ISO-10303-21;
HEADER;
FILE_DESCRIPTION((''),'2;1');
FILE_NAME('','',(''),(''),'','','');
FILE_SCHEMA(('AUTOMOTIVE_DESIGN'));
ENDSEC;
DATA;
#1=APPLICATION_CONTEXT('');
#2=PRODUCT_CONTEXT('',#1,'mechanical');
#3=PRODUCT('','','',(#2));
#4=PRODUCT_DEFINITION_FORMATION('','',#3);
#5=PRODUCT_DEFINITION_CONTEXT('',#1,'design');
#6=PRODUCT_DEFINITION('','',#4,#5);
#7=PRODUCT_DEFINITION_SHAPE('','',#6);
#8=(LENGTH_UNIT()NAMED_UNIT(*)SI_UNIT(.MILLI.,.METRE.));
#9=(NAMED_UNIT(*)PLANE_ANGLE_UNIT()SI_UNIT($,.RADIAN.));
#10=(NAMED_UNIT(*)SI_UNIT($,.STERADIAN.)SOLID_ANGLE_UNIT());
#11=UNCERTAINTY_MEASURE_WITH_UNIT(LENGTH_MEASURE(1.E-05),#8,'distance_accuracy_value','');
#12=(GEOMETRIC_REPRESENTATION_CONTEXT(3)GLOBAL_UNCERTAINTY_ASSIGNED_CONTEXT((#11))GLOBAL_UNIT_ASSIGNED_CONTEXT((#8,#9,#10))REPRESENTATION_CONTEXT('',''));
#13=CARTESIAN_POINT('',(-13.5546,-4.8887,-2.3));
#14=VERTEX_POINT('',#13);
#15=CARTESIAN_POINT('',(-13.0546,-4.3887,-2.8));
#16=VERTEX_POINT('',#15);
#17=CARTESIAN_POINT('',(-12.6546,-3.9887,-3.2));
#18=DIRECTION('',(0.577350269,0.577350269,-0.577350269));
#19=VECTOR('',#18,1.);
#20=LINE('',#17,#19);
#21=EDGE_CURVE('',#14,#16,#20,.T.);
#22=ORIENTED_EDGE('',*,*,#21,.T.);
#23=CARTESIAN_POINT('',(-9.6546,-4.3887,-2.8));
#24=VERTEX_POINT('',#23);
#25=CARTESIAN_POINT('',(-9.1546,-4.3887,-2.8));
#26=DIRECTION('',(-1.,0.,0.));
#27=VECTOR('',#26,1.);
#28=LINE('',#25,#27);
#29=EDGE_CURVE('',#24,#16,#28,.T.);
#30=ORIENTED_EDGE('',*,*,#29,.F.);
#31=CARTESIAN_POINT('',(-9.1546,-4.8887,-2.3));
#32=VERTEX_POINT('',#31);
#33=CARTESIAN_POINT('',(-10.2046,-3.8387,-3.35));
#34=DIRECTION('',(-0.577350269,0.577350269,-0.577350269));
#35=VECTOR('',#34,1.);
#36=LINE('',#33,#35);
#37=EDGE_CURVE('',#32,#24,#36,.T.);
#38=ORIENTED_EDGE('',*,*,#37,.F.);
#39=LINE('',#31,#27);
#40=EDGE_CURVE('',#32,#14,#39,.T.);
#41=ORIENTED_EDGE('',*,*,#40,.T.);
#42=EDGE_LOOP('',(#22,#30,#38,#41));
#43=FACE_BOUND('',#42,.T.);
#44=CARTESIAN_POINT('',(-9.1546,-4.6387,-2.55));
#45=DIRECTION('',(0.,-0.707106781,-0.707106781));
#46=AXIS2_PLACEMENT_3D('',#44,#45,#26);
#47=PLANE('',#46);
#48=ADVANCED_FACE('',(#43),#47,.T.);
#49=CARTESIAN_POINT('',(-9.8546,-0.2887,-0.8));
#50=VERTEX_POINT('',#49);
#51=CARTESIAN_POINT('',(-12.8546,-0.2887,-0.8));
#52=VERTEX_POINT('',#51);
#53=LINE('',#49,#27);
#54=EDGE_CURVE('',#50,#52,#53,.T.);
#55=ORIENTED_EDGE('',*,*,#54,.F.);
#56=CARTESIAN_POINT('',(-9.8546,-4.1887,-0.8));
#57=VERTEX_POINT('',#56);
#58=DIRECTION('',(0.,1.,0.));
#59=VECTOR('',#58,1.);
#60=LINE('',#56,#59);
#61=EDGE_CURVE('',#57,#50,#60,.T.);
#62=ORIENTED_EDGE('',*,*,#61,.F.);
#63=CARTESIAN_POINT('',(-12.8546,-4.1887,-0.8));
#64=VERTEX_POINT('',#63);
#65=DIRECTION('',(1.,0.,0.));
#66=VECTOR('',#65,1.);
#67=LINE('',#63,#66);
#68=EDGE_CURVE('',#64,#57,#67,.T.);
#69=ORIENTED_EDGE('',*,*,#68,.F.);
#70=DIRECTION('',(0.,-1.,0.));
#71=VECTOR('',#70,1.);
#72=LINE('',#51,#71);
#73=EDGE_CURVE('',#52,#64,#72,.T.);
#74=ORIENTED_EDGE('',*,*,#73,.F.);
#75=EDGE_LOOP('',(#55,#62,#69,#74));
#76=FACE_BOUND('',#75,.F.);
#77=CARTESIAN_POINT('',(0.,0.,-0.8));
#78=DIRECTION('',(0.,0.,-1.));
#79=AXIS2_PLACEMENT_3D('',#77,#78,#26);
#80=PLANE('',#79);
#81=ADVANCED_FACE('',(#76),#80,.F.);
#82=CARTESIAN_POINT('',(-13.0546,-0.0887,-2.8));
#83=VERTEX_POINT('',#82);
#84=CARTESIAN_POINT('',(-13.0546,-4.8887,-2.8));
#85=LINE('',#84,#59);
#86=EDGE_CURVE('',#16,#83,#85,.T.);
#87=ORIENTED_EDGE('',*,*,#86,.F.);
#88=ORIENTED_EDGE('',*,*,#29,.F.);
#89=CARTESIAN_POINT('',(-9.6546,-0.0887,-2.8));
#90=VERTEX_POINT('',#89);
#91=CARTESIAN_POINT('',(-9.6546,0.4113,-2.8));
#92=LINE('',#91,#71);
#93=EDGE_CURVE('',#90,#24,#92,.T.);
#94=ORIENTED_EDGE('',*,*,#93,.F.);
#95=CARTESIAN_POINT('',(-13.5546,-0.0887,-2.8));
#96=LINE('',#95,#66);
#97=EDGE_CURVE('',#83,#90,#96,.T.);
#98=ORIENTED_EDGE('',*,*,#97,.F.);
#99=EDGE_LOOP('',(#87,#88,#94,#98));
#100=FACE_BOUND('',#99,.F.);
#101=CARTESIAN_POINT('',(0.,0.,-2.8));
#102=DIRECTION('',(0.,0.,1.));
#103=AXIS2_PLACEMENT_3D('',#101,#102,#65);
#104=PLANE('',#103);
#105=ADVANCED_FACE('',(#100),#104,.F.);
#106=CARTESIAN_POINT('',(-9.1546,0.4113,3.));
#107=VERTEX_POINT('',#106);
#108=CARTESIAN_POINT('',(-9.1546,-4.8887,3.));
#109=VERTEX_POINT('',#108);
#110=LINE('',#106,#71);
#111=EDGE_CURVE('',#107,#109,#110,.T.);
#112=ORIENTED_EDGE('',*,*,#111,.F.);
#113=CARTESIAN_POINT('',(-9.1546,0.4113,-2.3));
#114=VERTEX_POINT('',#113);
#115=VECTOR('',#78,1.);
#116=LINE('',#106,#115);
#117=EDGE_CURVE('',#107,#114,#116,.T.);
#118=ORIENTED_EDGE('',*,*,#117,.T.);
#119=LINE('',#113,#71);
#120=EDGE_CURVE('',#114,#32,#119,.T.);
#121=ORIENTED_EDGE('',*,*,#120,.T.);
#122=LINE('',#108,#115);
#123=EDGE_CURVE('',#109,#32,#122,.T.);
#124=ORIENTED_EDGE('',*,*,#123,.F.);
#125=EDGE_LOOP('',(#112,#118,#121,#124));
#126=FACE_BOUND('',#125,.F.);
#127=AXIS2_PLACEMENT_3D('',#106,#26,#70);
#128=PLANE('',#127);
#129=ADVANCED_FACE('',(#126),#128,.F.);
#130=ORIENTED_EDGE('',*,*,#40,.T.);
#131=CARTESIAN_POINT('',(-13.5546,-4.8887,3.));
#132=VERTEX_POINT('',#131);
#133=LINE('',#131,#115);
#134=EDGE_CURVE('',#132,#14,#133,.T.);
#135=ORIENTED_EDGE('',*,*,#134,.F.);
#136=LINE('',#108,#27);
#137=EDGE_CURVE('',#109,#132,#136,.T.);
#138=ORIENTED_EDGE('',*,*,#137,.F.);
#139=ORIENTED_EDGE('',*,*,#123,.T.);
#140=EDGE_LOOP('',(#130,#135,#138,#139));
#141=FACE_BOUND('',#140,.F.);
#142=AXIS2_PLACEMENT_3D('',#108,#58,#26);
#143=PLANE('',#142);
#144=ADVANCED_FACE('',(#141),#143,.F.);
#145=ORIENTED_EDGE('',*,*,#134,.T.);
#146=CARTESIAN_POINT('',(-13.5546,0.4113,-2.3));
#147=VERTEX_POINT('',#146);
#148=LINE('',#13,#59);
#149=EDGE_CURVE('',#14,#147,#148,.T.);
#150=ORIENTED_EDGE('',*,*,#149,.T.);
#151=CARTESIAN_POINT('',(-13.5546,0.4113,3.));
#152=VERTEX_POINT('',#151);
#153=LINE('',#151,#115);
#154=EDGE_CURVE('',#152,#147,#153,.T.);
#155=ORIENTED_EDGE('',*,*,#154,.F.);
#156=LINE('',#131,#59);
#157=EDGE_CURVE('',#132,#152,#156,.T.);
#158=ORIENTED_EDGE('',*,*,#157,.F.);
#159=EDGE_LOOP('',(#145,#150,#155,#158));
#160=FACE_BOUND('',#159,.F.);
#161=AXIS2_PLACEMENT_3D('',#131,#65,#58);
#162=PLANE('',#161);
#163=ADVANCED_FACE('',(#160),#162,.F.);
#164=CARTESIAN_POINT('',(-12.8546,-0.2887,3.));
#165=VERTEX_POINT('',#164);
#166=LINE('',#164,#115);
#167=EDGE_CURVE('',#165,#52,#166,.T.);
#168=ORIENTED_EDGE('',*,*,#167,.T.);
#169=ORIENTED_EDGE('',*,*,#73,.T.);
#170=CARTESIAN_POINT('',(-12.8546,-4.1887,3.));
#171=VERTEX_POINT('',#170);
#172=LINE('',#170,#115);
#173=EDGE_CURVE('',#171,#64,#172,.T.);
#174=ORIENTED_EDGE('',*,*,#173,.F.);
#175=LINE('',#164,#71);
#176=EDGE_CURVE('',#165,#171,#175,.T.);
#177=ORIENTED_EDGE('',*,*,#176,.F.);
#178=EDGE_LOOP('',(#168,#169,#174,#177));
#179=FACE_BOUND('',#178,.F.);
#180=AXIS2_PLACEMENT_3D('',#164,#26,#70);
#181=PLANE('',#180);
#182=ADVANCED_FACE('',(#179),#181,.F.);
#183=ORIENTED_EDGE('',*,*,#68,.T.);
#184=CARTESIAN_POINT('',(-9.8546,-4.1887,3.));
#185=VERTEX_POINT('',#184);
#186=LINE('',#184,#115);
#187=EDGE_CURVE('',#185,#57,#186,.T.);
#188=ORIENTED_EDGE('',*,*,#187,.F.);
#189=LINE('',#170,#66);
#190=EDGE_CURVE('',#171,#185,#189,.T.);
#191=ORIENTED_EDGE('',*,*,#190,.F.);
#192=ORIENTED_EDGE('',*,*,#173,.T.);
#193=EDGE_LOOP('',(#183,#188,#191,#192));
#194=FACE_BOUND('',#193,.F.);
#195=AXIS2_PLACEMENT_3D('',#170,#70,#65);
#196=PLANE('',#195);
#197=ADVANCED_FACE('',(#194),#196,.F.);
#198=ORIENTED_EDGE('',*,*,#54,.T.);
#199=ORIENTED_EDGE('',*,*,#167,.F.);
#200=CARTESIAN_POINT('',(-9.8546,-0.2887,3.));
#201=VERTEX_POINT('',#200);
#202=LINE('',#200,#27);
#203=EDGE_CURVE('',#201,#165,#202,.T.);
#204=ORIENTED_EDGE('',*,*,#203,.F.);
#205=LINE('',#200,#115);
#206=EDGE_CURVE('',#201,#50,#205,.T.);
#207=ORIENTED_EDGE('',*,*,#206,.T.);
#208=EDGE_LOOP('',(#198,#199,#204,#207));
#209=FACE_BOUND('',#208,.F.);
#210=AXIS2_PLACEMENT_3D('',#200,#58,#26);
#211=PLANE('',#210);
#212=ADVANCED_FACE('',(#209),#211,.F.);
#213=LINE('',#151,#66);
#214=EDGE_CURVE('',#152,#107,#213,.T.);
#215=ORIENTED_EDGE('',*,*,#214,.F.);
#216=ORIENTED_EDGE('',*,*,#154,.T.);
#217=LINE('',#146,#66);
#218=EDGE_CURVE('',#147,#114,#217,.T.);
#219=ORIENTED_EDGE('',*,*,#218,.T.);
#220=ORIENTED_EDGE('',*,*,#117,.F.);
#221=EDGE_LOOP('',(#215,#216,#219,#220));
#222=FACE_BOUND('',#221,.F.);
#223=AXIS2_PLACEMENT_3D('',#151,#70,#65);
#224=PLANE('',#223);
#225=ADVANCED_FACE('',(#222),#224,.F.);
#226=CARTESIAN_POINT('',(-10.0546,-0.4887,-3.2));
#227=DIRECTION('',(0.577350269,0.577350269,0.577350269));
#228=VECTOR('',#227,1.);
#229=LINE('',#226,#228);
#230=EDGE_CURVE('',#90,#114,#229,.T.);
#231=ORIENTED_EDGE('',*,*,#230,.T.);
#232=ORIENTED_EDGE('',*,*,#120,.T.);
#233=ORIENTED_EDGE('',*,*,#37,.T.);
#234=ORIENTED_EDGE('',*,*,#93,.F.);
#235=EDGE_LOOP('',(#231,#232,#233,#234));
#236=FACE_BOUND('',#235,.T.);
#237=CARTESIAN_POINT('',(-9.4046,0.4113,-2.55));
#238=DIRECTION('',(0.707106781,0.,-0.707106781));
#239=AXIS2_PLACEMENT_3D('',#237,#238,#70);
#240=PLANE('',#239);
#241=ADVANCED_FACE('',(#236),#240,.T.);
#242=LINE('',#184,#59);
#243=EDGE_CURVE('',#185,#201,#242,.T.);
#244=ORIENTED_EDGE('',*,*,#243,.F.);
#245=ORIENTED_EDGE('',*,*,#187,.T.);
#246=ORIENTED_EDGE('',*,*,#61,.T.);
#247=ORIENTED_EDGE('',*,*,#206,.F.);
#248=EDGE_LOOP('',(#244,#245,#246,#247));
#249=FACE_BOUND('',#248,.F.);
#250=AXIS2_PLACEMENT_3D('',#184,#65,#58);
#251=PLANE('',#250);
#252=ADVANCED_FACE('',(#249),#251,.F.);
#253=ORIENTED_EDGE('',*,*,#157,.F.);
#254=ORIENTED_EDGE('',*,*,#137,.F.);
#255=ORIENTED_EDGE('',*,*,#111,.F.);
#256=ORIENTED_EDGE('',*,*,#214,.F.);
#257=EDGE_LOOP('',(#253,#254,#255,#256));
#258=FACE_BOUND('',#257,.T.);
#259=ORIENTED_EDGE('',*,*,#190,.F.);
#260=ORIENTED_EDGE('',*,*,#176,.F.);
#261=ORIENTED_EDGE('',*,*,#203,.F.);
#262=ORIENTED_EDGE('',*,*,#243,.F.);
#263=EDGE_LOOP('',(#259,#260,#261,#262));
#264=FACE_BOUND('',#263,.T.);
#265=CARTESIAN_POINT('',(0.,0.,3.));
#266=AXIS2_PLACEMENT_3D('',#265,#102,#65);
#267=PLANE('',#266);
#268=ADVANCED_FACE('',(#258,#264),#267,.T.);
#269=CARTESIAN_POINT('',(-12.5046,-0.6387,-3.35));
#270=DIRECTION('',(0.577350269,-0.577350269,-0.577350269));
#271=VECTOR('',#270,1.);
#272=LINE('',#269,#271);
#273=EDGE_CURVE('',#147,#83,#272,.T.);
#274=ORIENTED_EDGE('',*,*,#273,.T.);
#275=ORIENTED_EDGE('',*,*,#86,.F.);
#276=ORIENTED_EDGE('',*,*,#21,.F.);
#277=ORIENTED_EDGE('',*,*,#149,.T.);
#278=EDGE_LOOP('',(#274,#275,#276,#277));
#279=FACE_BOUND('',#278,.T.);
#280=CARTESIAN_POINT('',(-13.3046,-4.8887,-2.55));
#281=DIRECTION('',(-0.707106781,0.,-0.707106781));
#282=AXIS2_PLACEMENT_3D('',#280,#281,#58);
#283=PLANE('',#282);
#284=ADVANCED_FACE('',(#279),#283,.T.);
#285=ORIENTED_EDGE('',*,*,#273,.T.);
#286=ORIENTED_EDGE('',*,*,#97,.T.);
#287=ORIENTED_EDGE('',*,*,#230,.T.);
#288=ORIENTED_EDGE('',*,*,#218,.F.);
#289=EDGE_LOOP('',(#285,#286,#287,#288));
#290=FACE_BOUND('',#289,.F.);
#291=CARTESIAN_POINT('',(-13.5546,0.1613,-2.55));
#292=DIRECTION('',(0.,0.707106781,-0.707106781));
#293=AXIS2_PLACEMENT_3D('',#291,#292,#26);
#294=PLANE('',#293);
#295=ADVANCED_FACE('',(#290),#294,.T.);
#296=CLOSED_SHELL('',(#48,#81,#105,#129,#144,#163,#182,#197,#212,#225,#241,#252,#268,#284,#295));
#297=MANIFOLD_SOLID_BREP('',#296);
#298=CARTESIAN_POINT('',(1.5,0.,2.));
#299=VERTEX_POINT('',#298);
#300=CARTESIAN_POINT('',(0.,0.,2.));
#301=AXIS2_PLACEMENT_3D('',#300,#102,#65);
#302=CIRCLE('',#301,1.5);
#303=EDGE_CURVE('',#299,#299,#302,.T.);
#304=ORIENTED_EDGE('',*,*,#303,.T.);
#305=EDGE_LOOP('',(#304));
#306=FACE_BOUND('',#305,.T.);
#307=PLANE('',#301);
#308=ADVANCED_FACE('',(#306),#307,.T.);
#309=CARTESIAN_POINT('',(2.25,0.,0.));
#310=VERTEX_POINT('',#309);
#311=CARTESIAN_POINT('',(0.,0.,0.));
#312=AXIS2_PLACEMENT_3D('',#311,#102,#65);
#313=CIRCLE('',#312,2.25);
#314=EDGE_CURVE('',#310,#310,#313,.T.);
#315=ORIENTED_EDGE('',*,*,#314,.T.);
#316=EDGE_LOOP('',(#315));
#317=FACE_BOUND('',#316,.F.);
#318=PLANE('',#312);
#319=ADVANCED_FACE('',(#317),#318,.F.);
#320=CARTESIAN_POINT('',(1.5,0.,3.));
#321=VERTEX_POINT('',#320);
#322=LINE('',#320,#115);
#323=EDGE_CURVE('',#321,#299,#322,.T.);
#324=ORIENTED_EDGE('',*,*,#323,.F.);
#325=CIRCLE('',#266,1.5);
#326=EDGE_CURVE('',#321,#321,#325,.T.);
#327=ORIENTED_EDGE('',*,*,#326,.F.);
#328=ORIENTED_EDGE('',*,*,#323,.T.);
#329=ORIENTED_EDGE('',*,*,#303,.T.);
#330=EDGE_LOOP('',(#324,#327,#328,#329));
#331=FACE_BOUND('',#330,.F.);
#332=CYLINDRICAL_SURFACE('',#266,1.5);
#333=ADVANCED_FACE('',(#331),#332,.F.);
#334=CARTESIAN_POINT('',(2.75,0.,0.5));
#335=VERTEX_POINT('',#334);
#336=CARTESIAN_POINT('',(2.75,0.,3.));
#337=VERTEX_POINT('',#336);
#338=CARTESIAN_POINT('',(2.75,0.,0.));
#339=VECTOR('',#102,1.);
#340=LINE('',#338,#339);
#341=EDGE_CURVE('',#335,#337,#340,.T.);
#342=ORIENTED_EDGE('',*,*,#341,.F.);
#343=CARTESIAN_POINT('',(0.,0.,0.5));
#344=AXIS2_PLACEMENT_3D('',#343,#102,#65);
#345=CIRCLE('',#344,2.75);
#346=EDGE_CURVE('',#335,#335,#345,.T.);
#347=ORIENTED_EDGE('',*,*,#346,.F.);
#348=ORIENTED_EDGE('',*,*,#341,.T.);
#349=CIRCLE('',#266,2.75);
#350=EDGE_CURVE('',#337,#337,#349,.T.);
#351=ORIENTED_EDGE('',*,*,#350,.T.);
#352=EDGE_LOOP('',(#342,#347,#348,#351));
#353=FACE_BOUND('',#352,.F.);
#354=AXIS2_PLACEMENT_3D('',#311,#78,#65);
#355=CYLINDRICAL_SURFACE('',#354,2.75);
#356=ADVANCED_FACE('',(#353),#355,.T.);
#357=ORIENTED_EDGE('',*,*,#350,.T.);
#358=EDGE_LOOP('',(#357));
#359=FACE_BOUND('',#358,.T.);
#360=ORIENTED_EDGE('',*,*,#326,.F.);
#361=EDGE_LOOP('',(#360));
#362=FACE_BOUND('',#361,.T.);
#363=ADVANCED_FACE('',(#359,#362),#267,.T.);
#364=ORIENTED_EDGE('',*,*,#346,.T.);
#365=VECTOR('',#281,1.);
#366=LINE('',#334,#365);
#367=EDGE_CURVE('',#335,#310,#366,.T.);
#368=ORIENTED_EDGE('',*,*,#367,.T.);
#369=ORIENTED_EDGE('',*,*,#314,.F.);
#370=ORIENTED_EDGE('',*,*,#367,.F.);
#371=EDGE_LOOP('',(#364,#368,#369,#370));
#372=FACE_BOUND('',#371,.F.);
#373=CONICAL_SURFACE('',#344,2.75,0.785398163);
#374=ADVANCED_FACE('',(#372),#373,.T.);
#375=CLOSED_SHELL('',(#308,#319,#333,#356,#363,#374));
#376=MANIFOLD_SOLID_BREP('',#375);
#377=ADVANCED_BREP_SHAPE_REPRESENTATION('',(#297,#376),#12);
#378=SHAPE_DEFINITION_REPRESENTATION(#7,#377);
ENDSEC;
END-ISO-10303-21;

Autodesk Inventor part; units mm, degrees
ref_plane "YZ Plane" through (0, 0, 0) normal (1, 0, 0) x (0, 1, 0)
ref_plane "XZ Plane" through (0, 0, 0) normal (0, 1, 0) x (-1, 0, 0)
ref_plane "XY Plane" through (0, 0, 0) normal (0, 0, 1) x (1, 0, 0)
sketch "Sketch1" plane through (0, 0, 0) normal (0, 0, 1) x (1, 0, 0)
  circle A0 centre (0, 0) radius 2.75
  dimension "d0" = 5.5
extrude "Extrusion1" add sketch "Sketch1" along normal blind 3
sketch "Sketch2" plane through (0, 0, 3) normal (0, 0, 1) x (1, 0, 0)
  circle A0 centre (0, 0) radius 1.5
  dimension "d3" = 3
extrude "Extrusion2" cut sketch "Sketch2" against normal blind 1
chamfer "Chamfer1" distance 0.5 angle 45 1 edges at (-2.75, 0, 0)
sketch "Sketch3" plane through (0, 0, 3) normal (0, 0, 1) x (1, 0, 0)
  line L0 (-9.8546, -0.2887) -> (-12.8546, -0.2887)
  line L1 (-12.8546, -0.2887) -> (-12.8546, -4.1887)
  line L2 (-12.8546, -4.1887) -> (-9.8546, -4.1887)
  line L3 (-9.8546, -4.1887) -> (-9.8546, -0.2887)
  line L4 (-9.1546, -4.8887) -> (-13.5546, -4.8887)
  line L5 (-13.5546, -4.8887) -> (-13.5546, 0.4113)
  line L6 (-13.5546, 0.4113) -> (-9.1546, 0.4113)
  line L7 (-9.1546, 0.4113) -> (-9.1546, -4.8887)
  point P0 (0, 0)
  dimension "d9" = 3
  dimension "d10" = 3.9
  dimension "d11" = 0.7
extrude "Extrusion3" add sketch "Sketch3" against normal blind 5.8
sketch "Sketch4" plane through (0, 0, -2.8) normal (0, 0, -1) x (-1, 0, 0)
  line L0 (9.8546, -4.1887) -> (9.8546, -0.2887) projected
  line L1 (12.8546, -0.2887) -> (12.8546, -4.1887) projected
  line L2 (12.8546, -4.1887) -> (9.8546, -4.1887) projected
  line L3 (9.8546, -4.1887) -> (9.8546, -0.2887) projected
  line L4 (9.8546, -0.2887) -> (12.8546, -0.2887) projected
  line L5 (9.1546, -4.8887) -> (13.5546, -4.8887) projected
  line L6 (13.5546, -4.8887) -> (13.5546, 0.4113) projected
  line L7 (13.5546, 0.4113) -> (9.1546, 0.4113) projected
  line L8 (9.1546, 0.4113) -> (9.1546, -4.8887) projected
  point P0 (0, 0)
extrude "Extrusion4" add sketch "Sketch4" against normal blind 2 contours L0 L4 L1 L2
chamfer "Chamfer2" distance 0.5 angle 45 4 edges at (-11.3546, -4.8887, -2.8) (-13.5546, -2.2387, -2.8) (-11.3546, 0.4113, -2.8) (-9.1546, -2.2387, -2.8)
properties part number "Calculator buttons"
